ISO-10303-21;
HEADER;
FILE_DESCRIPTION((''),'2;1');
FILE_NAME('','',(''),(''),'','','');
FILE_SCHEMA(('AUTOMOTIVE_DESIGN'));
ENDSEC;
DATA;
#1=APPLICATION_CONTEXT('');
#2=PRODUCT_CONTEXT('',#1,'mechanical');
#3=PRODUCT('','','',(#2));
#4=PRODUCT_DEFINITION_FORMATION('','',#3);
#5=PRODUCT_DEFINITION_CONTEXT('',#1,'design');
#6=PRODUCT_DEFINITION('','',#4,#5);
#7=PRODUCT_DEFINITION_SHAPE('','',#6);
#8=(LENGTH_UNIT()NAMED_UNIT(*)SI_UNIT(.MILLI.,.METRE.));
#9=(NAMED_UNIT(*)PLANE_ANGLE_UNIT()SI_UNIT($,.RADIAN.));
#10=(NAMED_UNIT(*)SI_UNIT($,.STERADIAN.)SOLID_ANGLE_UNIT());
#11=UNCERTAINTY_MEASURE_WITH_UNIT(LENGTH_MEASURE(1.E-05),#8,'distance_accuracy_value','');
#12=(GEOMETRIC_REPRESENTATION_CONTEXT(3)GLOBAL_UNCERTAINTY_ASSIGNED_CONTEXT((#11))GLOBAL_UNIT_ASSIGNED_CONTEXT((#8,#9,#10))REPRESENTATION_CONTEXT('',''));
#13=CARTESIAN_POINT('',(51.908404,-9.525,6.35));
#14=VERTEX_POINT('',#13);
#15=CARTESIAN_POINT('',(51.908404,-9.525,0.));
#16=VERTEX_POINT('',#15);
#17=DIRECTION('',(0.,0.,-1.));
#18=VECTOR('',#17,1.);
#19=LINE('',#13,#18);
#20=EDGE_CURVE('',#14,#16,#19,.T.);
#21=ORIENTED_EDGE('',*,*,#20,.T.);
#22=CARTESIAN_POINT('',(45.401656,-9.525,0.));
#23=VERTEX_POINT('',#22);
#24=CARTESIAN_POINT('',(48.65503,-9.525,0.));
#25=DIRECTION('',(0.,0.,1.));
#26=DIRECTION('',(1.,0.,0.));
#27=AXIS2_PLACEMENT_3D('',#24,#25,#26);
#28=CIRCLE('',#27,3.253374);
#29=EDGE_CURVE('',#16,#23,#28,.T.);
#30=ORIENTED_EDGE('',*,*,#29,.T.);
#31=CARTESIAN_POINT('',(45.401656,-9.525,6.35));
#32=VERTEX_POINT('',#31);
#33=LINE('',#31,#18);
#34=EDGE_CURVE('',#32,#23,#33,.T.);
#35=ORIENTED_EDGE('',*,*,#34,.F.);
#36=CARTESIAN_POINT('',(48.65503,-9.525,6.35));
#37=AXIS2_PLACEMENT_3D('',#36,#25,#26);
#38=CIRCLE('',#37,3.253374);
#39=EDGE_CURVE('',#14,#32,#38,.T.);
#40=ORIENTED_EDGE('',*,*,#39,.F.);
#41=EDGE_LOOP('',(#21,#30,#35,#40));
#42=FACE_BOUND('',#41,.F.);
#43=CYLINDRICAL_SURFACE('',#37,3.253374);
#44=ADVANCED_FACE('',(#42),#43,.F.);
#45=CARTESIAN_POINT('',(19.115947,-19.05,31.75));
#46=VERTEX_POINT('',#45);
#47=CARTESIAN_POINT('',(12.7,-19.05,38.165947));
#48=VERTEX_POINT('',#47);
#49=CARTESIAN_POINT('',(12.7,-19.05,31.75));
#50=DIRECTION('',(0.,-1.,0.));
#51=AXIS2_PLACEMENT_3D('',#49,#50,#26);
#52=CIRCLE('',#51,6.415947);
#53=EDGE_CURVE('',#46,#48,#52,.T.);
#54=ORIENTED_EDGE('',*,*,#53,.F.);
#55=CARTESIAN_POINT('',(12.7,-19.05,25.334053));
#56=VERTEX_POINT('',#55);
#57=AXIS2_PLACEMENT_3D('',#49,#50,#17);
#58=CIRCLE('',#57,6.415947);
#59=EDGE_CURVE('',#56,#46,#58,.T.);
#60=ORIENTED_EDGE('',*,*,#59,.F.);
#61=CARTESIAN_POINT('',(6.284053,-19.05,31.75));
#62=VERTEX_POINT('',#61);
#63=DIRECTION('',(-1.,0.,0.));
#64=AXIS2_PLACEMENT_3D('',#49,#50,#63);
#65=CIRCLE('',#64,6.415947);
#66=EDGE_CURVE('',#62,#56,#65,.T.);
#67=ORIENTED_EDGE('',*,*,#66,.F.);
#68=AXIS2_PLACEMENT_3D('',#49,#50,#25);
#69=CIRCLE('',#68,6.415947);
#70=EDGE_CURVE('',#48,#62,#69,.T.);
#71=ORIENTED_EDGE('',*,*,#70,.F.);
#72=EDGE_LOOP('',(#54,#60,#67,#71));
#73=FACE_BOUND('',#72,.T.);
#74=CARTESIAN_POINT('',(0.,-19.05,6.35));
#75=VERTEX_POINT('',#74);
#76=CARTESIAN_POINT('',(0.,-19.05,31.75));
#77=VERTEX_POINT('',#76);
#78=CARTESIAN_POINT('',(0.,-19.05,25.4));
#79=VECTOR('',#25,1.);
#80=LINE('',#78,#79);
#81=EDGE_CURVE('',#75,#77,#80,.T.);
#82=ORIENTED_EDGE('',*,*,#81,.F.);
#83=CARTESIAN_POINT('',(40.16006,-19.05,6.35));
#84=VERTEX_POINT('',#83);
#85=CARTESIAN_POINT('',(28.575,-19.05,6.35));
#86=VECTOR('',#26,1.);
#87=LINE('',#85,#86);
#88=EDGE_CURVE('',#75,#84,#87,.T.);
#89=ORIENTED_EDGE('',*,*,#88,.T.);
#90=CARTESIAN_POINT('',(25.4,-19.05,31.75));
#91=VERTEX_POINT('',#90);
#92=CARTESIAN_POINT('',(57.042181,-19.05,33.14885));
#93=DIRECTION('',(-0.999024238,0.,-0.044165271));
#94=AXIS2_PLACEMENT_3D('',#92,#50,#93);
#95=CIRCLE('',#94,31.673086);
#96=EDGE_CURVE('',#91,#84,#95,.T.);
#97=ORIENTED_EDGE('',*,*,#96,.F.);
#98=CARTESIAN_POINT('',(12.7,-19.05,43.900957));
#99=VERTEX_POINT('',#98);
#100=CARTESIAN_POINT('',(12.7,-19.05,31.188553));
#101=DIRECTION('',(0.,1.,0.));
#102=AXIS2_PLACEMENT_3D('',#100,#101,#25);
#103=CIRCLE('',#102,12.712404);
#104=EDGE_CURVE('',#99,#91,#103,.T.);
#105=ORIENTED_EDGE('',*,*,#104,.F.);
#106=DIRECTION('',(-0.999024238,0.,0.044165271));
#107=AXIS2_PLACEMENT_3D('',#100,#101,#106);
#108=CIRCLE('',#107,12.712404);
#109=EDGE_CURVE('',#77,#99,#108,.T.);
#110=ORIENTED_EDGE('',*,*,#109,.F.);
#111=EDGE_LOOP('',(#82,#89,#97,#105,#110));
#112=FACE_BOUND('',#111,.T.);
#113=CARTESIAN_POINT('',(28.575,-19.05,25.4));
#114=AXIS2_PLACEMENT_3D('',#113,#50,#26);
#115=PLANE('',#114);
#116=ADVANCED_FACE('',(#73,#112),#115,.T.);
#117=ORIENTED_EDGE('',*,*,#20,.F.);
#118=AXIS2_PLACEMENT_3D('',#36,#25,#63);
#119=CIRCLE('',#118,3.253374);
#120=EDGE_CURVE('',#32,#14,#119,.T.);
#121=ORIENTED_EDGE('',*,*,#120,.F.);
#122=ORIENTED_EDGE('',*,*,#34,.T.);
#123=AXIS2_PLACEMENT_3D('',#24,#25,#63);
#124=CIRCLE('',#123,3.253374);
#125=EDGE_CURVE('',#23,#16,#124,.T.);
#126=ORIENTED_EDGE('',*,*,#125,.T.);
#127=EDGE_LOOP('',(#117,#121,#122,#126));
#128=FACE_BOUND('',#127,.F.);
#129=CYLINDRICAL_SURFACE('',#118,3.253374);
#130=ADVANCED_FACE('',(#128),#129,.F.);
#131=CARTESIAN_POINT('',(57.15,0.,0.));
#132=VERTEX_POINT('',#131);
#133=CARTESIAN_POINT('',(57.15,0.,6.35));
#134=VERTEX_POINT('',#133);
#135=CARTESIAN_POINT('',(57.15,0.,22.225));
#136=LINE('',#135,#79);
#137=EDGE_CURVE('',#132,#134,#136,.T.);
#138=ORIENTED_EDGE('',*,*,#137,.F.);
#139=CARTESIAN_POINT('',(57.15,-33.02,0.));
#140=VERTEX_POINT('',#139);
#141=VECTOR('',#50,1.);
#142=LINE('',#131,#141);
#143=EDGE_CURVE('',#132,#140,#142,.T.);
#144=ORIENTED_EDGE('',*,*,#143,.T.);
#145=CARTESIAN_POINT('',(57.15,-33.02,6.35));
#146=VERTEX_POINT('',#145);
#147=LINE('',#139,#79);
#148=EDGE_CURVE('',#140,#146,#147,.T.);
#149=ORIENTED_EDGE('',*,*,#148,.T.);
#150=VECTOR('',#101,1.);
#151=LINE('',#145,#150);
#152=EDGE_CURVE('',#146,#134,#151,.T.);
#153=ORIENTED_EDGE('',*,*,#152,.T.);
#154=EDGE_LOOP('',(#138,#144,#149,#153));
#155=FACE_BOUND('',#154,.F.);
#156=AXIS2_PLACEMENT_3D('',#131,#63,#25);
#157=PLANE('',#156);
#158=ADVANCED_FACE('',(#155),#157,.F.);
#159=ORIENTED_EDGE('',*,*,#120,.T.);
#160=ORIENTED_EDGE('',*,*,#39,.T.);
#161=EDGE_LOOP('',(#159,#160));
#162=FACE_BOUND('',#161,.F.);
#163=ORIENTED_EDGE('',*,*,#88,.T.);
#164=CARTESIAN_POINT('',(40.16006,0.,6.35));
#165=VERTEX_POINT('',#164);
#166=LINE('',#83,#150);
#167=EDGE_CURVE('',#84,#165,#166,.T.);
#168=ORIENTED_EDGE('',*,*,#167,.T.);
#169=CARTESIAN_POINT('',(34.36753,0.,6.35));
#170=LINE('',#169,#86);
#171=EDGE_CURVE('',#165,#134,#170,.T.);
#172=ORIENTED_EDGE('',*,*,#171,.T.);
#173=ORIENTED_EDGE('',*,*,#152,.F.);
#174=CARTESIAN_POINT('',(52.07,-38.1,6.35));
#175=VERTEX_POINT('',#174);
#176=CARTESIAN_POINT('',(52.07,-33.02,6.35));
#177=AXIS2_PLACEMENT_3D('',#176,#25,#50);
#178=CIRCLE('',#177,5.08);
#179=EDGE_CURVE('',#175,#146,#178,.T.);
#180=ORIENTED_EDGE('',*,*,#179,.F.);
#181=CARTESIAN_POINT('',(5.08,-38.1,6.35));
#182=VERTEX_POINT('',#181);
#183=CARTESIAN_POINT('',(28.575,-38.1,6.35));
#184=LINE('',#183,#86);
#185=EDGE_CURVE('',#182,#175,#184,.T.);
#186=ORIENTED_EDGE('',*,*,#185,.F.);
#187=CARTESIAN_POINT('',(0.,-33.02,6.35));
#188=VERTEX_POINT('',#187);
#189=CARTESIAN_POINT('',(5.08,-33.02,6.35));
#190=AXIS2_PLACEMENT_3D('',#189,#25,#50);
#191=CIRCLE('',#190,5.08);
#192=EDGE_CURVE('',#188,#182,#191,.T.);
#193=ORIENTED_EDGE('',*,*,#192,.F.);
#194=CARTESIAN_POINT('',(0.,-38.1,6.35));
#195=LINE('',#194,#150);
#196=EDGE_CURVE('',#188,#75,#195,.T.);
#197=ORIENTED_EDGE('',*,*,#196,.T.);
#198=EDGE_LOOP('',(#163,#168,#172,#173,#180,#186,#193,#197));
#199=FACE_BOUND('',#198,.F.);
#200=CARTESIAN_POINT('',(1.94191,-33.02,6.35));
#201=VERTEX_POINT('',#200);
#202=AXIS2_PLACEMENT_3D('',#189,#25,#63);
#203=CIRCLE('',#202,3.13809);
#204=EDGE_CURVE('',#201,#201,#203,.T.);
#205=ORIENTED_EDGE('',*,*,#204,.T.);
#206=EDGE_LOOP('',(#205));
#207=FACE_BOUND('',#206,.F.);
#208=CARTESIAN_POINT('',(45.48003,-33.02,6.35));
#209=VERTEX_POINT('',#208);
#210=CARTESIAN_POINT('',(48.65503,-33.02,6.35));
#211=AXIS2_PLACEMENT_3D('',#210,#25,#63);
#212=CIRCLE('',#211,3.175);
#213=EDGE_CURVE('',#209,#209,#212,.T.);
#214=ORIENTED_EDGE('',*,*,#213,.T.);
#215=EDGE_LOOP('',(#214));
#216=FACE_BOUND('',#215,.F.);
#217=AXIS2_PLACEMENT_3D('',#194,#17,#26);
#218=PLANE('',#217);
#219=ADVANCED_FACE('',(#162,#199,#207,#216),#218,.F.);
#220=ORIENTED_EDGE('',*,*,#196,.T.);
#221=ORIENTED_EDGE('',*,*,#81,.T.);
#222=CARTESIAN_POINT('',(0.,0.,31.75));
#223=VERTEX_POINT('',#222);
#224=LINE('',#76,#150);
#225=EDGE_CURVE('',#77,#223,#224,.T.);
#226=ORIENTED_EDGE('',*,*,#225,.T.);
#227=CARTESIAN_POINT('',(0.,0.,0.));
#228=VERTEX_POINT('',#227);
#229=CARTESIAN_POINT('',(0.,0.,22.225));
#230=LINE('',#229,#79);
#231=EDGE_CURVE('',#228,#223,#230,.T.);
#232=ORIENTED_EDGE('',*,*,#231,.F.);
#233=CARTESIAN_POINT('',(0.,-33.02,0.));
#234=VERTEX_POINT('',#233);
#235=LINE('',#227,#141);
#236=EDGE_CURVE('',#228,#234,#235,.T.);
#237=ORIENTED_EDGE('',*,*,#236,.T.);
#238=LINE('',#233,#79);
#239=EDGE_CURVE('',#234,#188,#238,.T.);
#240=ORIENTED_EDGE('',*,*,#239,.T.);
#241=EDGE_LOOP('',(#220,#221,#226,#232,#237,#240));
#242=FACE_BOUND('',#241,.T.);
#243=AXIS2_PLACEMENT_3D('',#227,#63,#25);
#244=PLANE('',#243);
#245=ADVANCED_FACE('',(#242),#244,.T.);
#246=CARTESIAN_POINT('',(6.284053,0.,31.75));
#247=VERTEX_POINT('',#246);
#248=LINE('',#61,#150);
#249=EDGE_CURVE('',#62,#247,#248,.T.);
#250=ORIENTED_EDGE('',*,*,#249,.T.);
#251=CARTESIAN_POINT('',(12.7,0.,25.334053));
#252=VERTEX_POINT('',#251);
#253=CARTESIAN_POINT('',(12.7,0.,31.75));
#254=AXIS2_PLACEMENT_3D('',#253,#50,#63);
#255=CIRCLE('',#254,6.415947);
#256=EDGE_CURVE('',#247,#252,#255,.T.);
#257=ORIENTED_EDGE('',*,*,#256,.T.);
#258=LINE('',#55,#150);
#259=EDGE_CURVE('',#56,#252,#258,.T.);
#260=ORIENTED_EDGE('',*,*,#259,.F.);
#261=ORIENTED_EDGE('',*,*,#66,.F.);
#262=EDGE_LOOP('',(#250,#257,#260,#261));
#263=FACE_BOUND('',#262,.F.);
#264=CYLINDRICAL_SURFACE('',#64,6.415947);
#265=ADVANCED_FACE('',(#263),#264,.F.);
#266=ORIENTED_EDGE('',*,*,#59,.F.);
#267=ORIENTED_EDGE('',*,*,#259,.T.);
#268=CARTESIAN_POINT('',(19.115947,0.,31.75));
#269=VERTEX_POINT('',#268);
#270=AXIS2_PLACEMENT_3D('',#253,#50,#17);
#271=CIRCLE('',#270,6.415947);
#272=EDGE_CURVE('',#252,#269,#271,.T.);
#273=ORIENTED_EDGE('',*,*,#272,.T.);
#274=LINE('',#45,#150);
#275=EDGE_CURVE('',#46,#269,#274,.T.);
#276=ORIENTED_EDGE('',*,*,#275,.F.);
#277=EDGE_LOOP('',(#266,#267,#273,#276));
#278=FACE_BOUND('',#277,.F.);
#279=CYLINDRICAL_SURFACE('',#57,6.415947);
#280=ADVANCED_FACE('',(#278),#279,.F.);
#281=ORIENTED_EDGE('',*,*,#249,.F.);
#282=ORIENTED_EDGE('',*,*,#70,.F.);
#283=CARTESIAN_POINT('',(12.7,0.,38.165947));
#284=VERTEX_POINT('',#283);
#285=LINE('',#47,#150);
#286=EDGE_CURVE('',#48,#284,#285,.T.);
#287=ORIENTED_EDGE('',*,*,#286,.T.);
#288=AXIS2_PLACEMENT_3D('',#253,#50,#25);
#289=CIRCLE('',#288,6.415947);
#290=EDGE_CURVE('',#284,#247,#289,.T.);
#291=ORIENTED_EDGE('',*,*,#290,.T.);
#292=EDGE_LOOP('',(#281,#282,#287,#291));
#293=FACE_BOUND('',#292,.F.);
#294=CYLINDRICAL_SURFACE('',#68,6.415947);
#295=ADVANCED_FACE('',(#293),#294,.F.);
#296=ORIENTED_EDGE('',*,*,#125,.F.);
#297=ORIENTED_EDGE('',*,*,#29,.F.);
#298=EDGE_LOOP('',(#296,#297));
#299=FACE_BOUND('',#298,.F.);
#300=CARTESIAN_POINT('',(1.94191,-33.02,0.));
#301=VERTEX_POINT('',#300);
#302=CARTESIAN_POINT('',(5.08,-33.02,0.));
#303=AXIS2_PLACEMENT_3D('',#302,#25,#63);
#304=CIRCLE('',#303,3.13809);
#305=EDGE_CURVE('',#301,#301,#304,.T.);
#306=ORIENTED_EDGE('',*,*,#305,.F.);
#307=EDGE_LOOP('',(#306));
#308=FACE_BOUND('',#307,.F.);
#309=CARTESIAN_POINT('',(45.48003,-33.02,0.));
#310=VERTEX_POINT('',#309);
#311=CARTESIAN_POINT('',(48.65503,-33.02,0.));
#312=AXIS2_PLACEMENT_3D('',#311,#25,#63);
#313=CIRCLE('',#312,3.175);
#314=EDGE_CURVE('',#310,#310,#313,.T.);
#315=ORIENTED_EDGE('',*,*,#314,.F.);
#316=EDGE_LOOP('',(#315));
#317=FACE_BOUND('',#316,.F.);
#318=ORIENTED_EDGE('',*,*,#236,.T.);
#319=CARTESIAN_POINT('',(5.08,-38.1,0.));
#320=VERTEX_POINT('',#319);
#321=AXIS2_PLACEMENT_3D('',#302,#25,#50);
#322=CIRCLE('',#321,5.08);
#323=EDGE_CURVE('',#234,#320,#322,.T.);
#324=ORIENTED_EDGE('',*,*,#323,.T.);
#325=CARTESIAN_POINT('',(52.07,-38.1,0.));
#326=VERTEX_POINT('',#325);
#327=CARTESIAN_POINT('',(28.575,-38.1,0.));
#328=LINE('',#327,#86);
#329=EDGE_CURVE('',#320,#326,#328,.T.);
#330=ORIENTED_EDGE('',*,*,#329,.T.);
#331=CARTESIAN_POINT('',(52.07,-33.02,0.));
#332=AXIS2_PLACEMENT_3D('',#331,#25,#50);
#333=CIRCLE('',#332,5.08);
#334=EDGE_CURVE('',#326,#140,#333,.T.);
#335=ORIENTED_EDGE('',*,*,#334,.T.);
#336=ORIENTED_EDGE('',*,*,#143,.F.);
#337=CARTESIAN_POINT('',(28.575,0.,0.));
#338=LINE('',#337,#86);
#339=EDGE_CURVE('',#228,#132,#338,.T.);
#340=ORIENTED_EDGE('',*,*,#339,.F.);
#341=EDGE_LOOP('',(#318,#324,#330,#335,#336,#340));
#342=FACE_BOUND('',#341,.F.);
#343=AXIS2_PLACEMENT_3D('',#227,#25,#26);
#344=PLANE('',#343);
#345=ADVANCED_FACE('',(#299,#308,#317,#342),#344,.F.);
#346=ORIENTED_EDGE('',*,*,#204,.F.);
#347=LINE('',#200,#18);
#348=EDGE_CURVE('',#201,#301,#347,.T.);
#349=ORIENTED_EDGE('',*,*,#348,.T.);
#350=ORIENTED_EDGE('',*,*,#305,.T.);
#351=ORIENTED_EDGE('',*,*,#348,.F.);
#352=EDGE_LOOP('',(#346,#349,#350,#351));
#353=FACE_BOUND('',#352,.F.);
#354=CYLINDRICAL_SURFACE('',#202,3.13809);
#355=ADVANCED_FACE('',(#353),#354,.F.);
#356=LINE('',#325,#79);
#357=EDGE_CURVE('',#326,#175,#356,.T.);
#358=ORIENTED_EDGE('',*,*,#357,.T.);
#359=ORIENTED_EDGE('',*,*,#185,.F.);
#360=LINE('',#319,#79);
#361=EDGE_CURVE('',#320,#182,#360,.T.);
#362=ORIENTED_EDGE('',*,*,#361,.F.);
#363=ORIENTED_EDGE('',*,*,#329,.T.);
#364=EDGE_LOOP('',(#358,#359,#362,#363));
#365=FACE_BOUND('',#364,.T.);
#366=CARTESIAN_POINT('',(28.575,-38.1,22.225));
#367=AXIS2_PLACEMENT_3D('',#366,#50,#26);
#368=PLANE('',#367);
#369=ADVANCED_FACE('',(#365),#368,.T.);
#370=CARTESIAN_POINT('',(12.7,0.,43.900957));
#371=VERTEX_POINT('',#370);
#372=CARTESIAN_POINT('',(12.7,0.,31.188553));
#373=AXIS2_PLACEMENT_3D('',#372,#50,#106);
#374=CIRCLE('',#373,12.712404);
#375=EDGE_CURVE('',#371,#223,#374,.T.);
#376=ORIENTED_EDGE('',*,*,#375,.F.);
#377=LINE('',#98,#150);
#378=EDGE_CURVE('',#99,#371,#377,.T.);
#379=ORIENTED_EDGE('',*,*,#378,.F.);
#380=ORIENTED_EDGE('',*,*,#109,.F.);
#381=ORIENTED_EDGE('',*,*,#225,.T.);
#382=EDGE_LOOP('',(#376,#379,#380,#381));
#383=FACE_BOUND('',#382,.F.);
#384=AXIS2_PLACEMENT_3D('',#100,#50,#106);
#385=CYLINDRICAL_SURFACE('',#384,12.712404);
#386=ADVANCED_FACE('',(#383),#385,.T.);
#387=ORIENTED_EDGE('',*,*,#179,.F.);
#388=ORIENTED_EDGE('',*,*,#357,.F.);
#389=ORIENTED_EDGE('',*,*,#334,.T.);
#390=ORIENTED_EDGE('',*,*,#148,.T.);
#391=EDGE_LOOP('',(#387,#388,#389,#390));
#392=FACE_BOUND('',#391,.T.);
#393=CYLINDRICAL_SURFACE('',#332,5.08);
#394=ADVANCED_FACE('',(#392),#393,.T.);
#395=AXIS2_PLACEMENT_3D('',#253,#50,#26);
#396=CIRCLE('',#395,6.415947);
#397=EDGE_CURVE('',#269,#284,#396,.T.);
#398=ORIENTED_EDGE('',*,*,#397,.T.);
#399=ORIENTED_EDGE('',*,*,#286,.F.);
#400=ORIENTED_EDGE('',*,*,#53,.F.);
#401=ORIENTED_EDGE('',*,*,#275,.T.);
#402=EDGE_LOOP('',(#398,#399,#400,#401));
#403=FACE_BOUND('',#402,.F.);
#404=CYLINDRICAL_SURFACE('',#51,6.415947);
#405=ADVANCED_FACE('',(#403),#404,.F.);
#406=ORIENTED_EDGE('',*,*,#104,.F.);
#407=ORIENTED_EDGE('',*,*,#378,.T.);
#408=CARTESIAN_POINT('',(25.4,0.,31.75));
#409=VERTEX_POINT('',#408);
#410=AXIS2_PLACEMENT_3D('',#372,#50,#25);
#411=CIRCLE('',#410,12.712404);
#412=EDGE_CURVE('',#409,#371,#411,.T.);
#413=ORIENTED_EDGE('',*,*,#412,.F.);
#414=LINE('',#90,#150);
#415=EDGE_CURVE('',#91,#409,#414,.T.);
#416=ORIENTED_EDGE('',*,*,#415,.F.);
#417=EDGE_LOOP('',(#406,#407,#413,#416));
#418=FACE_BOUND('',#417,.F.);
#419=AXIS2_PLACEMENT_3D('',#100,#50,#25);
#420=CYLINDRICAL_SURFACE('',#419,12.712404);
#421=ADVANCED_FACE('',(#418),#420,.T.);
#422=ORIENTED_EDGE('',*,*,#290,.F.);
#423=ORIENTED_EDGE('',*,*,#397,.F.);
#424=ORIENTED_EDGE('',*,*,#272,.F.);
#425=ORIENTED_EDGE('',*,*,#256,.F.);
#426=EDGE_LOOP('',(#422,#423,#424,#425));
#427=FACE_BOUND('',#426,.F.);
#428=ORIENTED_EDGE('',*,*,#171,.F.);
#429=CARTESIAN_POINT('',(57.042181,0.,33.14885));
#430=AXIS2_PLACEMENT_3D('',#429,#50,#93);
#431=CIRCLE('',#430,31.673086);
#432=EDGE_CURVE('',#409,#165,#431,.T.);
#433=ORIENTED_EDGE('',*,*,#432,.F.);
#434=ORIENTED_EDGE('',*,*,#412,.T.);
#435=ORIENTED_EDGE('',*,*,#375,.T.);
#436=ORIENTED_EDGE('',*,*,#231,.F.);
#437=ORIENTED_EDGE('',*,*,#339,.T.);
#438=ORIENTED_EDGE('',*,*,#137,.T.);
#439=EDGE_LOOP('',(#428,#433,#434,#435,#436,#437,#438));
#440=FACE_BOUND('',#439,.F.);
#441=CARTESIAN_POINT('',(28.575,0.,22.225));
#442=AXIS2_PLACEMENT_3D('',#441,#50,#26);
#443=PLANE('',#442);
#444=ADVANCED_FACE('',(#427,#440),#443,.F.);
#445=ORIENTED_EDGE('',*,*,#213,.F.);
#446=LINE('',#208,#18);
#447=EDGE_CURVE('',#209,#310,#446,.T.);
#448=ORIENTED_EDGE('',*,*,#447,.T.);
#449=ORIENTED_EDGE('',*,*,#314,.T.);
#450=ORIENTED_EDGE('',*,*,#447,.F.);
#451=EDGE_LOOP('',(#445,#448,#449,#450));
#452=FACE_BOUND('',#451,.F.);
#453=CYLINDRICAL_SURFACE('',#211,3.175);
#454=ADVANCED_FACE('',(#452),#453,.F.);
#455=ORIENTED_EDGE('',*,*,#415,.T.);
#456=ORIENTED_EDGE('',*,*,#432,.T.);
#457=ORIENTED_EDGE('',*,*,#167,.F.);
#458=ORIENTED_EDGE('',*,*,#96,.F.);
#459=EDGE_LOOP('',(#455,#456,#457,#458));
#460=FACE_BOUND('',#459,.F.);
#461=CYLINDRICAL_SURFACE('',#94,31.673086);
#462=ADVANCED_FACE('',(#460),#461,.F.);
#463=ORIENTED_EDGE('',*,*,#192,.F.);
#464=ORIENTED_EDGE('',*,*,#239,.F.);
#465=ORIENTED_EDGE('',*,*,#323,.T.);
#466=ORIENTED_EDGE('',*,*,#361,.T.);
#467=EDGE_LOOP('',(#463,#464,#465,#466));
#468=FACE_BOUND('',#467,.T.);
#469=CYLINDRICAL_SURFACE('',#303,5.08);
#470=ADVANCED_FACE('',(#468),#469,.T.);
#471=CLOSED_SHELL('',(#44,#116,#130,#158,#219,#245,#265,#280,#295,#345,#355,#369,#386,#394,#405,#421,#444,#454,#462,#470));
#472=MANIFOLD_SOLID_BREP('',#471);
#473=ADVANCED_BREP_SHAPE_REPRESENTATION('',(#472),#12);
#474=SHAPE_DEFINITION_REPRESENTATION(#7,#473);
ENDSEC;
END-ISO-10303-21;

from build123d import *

# Parameters (mm, degrees)
F0_W     = 57.15
F0_H     = 44.45
F1_DEPTH = 38.1
F2_W     = 57.15
F2_H     = 38.1
F3_DEPTH = 19.05
F4_R     = 5.08
F5_W     = 31.75
F5_H     = 12.7
F6_DEPTH = 19.051
F8_DEPTH = 6.351


with BuildPart() as f1:
    # F0 (on Front) → F1 (new body)
    with BuildSketch(Plane.XZ):
        with Locations((28.575, 22.225)):
            Rectangle(F0_W, F0_H)
    extrude(amount=F1_DEPTH)

    # F2 (on face) → F3 (cut)
    with BuildSketch(Plane.XZ.offset(38.1)):
        with Locations((28.575, 25.4)):
            Rectangle(F2_W, F2_H)
    extrude(amount=-F3_DEPTH, mode=Mode.SUBTRACT)

    # F4
    f4_edges = [f1.edges().sort_by_distance(p)[0] for p in [
        (0, -38.1, 3.175),
        (57.15, -38.1, 3.175),
    ]]
    fillet(f4_edges, radius=F4_R)

    # F5 (on face) → F6 (cut, through all)
    with BuildSketch(Plane.XZ.offset(19.05)):
        with BuildLine():
            Line((12.7, 31.75), (12.7, 38.1659469176))
            ThreePointArc((12.7, 38.1659469176), (8.1632404269, 36.2867595731), (6.2840530824, 31.75))
            Line((6.2840530824, 31.75), (12.7, 31.75))
        make_face()
        with BuildLine():
            ThreePointArc((19.1159469176, 31.75), (17.2367595731, 36.2867595731), (12.7, 38.1659469176))
            Line((12.7, 38.1659469176), (12.7, 31.75))
            Line((12.7, 31.75), (19.1159469176, 31.75))
        make_face()
        with BuildLine():
            Line((12.7, 25.3340530824), (12.7, 31.75))
            Line((12.7, 31.75), (6.2840530824, 31.75))
            ThreePointArc((6.2840530824, 31.75), (8.1632404269, 27.2132404269), (12.7, 25.3340530824))
        make_face()
        with BuildLine():
            Line((19.1159469176, 31.75), (12.7, 31.75))
            Line((12.7, 31.75), (12.7, 25.3340530824))
            ThreePointArc((12.7, 25.3340530824), (17.2367595731, 27.2132404269), (19.1159469176, 31.75))
        make_face()
        with BuildLine():
            Line((12.7, 43.9009574959), (12.7, 44.45))
            Line((12.7, 44.45), (0, 44.45))
            Line((0, 44.45), (0, 31.75))
            ThreePointArc((0, 31.75), (3.9117156386, 40.3739372872), (12.7, 43.9009574959))
        make_face()
        with BuildLine():
            Line((25.4, 44.45), (12.7, 44.45))
            Line((12.7, 44.45), (12.7, 43.9009574959))
            ThreePointArc((12.7, 43.9009574959), (21.4882843614, 40.3739372872), (25.4, 31.75))
            Line((25.4, 31.75), (25.4, 44.45))
        make_face()
        with BuildLine():
            Line((57.15, 31.75), (25.4, 31.75))
            ThreePointArc((25.4, 31.75), (29.6571125542, 17.2352579477), (40.1600599289, 6.35))
            Line((40.1600599289, 6.35), (57.15, 6.35))
            Line((57.15, 6.35), (57.15, 31.75))
        make_face()
        with Locations((41.275, 38.1)):
            Rectangle(F5_W, F5_H)
    extrude(amount=-F6_DEPTH, mode=Mode.SUBTRACT)

    # F7 (on face) → F8 (cut, through all)
    with BuildSketch(Plane.XY.offset(6.35)):
        with BuildLine():
            Line((1.9419096436, -33.02), (8.2180903564, -33.02))
            ThreePointArc((8.2180903564, -33.02), (5.08, -29.8819096436), (1.9419096436, -33.02))
        make_face()
        with BuildLine():
            ThreePointArc((1.9419096436, -33.02), (5.08, -36.1580903564), (8.2180903564, -33.02))
            Line((8.2180903564, -33.02), (1.9419096436, -33.02))
        make_face()
        with BuildLine():
            Line((45.4800299644, -33.02), (51.8300299644, -33.02))
            ThreePointArc((51.8300299644, -33.02), (48.6550299644, -29.845), (45.4800299644, -33.02))
        make_face()
        with BuildLine():
            ThreePointArc((45.4800299644, -33.02), (48.6550299644, -36.195), (51.8300299644, -33.02))
            Line((51.8300299644, -33.02), (45.4800299644, -33.02))
        make_face()
        with BuildLine():
            Line((45.4016557758, -9.525), (51.9084041531, -9.525))
            ThreePointArc((51.9084041531, -9.525), (48.6550299644, -6.2716258113), (45.4016557758, -9.525))
        make_face()
        with BuildLine():
            ThreePointArc((45.4016557758, -9.525), (48.6550299644, -12.7783741887), (51.9084041531, -9.525))
            Line((51.9084041531, -9.525), (45.4016557758, -9.525))
        make_face()
    extrude(amount=-F8_DEPTH, mode=Mode.SUBTRACT)


solid = f1.part
